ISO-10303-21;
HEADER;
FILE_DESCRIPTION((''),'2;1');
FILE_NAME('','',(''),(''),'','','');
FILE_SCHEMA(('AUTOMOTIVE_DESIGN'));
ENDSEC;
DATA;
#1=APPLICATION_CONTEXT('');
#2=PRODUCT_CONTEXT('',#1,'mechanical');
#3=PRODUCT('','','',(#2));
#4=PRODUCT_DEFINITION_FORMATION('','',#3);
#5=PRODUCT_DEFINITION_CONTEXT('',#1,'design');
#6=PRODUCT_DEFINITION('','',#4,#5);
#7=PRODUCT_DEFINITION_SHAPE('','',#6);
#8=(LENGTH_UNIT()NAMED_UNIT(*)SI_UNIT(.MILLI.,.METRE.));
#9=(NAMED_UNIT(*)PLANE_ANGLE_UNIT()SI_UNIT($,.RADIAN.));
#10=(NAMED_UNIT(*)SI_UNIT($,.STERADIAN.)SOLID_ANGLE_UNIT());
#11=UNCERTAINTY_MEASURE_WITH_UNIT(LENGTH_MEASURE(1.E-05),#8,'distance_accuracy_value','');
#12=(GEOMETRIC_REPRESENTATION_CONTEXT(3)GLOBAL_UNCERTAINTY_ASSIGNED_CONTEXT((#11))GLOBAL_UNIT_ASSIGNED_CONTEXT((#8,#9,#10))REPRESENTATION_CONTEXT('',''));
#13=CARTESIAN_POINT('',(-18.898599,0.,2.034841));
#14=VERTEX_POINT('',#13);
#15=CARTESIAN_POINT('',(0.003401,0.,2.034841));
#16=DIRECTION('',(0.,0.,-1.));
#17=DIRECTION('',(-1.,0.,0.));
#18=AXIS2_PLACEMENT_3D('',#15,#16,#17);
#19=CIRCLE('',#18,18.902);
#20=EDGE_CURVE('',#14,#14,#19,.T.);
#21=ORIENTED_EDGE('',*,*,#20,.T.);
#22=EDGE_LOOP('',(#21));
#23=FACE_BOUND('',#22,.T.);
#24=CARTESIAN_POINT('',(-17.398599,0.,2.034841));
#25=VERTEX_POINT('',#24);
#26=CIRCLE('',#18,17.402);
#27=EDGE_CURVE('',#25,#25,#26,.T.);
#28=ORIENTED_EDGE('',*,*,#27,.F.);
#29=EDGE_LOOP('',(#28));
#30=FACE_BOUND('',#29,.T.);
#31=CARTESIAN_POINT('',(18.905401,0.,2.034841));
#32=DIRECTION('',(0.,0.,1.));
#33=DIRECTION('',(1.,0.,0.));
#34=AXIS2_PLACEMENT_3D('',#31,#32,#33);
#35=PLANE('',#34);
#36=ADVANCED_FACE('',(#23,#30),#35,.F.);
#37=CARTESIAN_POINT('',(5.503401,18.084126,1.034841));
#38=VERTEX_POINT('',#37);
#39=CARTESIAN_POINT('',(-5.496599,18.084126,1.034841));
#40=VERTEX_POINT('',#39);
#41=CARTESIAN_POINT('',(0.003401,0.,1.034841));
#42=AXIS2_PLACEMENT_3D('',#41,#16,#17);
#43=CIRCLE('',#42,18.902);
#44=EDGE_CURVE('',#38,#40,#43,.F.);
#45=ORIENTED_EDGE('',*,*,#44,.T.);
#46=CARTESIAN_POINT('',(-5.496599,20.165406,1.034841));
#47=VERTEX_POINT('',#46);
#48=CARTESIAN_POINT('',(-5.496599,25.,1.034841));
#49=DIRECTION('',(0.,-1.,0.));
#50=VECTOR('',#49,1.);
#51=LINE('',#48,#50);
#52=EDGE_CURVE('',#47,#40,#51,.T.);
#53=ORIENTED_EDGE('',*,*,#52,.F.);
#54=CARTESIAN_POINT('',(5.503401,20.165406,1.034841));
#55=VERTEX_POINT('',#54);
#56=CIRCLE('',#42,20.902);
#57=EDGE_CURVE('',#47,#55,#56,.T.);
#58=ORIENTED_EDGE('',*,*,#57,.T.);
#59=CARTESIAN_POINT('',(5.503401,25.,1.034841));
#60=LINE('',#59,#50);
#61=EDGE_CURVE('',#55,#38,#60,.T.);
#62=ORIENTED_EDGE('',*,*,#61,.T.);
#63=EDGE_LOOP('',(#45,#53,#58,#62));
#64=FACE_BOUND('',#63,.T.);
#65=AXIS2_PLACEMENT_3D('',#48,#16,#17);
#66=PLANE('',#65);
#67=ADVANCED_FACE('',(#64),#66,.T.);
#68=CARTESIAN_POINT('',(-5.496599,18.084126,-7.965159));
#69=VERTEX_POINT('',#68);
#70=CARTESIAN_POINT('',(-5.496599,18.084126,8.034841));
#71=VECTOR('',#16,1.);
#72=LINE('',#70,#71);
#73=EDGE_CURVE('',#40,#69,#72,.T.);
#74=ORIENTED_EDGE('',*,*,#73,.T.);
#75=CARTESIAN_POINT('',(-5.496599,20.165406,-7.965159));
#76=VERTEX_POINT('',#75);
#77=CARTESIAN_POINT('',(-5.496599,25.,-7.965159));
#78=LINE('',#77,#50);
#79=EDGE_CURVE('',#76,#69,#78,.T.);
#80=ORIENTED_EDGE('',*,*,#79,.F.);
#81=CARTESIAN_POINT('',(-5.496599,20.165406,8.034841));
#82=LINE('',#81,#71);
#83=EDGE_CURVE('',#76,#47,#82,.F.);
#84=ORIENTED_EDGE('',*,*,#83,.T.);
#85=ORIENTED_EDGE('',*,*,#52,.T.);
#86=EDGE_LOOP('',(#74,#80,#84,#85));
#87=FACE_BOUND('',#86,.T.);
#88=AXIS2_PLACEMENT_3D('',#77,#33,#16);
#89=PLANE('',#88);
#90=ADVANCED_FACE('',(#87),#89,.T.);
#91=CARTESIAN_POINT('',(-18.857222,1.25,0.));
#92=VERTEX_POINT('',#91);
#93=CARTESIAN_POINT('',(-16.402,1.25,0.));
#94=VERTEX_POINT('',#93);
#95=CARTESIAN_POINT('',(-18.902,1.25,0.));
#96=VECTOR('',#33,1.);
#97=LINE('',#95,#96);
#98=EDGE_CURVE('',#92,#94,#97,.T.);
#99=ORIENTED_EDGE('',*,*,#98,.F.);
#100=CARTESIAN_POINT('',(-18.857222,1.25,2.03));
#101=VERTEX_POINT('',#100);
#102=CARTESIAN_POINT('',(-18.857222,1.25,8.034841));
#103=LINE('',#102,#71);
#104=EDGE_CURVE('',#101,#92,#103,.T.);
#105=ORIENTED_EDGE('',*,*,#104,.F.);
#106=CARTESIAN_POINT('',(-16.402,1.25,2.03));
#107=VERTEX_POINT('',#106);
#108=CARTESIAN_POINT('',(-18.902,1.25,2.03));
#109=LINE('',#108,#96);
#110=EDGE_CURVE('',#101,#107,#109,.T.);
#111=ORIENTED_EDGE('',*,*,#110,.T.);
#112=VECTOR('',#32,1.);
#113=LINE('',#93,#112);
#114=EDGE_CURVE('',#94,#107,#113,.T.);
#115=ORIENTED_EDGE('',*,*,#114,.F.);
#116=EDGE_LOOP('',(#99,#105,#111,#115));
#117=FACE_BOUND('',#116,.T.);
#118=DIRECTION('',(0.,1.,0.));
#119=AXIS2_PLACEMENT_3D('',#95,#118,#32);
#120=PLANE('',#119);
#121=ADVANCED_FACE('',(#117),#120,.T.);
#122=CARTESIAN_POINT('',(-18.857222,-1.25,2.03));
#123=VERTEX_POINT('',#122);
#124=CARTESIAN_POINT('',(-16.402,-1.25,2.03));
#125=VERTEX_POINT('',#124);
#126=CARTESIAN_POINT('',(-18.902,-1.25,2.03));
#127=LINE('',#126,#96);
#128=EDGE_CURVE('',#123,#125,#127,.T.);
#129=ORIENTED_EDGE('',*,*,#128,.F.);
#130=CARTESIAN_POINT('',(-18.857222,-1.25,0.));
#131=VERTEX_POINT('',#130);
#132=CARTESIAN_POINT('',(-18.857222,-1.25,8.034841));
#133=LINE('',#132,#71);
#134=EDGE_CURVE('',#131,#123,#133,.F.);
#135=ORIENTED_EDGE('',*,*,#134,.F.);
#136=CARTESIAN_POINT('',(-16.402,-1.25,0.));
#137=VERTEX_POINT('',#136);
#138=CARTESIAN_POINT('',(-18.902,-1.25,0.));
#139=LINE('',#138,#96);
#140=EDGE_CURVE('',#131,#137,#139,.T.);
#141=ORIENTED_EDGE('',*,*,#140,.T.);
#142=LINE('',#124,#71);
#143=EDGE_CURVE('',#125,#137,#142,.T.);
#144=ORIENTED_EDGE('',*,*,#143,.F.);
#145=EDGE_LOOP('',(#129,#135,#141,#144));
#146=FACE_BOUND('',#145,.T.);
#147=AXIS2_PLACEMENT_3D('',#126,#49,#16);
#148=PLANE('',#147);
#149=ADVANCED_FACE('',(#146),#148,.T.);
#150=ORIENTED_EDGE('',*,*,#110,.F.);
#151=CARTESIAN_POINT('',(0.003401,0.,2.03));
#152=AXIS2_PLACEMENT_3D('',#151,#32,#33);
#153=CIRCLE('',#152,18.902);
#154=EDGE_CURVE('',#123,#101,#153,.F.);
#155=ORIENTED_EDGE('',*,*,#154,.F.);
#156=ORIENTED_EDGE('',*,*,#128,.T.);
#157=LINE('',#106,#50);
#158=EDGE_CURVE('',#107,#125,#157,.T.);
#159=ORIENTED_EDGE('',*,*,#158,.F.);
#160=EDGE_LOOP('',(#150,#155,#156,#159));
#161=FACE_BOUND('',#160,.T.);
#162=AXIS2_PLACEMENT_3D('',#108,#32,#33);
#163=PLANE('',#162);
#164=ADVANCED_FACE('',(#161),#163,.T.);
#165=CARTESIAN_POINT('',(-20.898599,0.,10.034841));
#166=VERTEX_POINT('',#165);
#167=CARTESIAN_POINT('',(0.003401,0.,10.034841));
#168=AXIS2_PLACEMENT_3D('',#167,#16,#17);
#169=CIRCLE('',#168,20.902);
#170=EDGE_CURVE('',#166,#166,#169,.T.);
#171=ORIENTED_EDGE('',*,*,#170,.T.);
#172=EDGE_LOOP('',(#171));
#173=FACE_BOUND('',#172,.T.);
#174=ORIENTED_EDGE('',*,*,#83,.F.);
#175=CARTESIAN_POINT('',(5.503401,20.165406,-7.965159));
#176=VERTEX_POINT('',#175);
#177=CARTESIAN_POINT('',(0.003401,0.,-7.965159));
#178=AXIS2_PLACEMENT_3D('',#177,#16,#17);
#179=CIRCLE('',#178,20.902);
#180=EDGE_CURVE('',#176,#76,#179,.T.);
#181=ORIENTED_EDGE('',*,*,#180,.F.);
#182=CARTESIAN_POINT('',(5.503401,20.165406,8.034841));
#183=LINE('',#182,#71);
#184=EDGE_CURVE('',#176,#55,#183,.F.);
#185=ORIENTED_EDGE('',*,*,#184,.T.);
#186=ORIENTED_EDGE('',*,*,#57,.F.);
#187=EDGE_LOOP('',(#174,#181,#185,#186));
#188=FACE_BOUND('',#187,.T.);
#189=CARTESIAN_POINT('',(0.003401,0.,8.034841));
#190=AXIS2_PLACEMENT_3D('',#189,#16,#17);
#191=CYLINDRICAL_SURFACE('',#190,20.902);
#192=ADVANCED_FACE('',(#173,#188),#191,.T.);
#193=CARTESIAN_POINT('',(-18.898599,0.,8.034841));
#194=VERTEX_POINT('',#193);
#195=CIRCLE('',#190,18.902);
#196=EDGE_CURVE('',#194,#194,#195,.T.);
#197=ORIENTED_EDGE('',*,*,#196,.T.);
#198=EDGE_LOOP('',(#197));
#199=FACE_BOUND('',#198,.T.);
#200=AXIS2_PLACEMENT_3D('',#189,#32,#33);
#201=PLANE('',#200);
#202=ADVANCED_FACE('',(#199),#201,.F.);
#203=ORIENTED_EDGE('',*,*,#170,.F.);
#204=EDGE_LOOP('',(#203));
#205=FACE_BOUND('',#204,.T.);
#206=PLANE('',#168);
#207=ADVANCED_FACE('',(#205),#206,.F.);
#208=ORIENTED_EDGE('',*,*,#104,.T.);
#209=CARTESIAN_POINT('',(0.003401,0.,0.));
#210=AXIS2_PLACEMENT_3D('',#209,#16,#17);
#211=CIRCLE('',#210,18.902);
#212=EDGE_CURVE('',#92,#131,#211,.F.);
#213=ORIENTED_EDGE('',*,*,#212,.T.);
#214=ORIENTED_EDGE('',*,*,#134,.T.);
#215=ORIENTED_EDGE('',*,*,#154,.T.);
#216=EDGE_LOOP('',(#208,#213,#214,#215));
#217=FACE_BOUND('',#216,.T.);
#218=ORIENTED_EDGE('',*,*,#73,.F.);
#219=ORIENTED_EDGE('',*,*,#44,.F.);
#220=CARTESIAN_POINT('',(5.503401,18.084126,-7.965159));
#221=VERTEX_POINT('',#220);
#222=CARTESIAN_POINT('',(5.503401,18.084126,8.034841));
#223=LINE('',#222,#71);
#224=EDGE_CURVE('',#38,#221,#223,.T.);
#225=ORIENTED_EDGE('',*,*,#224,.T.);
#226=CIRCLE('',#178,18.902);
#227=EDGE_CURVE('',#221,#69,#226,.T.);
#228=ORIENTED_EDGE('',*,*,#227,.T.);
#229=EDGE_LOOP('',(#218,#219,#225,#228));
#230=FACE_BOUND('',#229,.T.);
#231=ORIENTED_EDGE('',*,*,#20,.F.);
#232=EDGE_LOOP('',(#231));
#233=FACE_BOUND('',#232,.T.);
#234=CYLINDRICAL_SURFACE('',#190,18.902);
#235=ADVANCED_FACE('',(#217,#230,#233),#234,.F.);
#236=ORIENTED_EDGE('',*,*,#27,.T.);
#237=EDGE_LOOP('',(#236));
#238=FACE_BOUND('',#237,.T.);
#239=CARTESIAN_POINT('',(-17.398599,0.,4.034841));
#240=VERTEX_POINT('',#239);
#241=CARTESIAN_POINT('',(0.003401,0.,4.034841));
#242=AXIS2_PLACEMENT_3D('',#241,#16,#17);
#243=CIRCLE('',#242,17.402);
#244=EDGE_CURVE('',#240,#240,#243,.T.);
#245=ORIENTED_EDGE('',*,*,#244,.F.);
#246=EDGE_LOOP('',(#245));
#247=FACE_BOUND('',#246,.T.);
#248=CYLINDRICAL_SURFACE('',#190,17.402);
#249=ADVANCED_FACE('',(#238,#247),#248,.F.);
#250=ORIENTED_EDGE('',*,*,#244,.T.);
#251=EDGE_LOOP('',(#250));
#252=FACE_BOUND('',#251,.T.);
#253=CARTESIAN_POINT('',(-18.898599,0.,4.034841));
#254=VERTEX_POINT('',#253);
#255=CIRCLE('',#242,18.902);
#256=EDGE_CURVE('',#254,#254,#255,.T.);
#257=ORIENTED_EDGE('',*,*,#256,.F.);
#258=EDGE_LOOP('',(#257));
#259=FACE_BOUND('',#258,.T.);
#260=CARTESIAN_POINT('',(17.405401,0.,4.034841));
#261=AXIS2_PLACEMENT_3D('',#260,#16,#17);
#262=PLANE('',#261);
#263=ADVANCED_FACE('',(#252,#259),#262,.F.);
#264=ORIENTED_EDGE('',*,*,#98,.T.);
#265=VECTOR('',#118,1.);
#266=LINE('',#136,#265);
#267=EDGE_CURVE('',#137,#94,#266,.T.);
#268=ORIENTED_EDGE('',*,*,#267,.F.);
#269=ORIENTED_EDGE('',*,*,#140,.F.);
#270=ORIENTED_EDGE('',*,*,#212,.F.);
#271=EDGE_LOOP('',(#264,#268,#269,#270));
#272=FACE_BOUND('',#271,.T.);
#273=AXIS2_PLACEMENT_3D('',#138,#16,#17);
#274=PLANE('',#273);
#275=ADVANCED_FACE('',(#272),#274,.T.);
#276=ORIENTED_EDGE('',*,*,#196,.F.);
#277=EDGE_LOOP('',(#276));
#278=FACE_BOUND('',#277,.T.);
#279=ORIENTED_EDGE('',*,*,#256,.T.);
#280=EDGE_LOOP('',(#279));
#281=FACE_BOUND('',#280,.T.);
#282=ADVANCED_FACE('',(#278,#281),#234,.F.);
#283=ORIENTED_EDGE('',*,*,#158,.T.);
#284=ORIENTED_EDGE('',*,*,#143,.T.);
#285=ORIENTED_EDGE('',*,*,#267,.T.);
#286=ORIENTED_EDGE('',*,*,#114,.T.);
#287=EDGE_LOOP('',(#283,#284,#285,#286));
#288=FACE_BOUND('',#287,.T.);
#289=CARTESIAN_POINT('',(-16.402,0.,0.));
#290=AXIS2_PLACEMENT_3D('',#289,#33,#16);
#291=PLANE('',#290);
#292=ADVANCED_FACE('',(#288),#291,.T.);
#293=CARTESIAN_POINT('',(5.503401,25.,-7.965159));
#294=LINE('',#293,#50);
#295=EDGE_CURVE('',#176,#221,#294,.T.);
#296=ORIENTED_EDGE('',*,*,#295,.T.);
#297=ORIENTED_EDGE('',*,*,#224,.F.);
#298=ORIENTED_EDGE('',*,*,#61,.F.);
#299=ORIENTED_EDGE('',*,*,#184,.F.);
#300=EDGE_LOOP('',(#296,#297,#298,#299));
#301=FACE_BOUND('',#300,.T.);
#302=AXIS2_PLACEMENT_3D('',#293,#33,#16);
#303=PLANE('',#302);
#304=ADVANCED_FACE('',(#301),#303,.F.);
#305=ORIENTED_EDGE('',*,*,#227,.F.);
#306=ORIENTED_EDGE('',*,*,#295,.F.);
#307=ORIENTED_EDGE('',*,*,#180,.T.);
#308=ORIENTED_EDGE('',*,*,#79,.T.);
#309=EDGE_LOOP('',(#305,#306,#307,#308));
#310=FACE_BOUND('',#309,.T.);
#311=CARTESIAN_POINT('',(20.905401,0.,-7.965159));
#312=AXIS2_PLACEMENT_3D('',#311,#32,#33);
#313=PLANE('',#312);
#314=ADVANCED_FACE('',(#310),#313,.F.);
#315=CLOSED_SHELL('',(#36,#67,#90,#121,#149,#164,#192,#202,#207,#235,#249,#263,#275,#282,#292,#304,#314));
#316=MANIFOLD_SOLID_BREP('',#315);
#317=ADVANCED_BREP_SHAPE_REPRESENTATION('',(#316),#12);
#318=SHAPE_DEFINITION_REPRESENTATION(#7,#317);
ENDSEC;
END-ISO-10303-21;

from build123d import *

# Parameters (mm, degrees)
SKIZZE2_W                       = 11
SKIZZE2_H                       = 9
SCHNITT_LINEAR_AUSTRAGEN2_DEPTH = 25
SKIZZE3_W                       = 2.03
SKIZZE3_H                       = 2.5
AUFSATZ_LINEAR_AUSTRAGEN1_DEPTH = 18.902
SKIZZE3_3_W                     = 2.03
SKIZZE3_3_H                     = 2.5
SCHNITT_LINEAR_AUSTRAGEN3_DEPTH = 16.402


with BuildPart() as part:
    # Skizze1 → Rotation2 (revolve)
    with BuildSketch(Plane(origin=(0, 0, 0), x_dir=(1, 0, 0), z_dir=(0, 1, 0))):
        Polygon((0.00340061, -8.034840547), (0.00340061, -10.034840547), (20.90540061, -10.034840547), (20.90540061, 7.965159453), (18.90540061, 7.965159453), (18.90540061, -2.034840547), (17.40540061, -2.034840547), (17.40540061, -4.034840547), (18.90540061, -4.034840547), (18.90540061, -8.034840547), align=None)
    revolve(axis=Axis((0.00340061, 0, 8.034840547), (0, 0, 1)))

    # Skizze2 → Schnitt-Linear austragen2 (cut)
    with BuildSketch(Plane(origin=(0, 0, 0), x_dir=(1, 0, 0), z_dir=(0, 1, 0))):
        with Locations((0.00340061, 3.465159453)):
            Rectangle(SKIZZE2_W, SKIZZE2_H)
    extrude(amount=SCHNITT_LINEAR_AUSTRAGEN2_DEPTH, mode=Mode.SUBTRACT)

    # Skizze3 → Aufsatz-Linear austragen1 (add)
    with BuildSketch(Plane(origin=(0, 0, 0), x_dir=(0, 0, -1), z_dir=(1, 0, 0))):
        with Locations((-1.015, 0)):
            Rectangle(SKIZZE3_W, SKIZZE3_H)
    extrude(amount=-AUFSATZ_LINEAR_AUSTRAGEN1_DEPTH)

    # Skizze3<3> → Schnitt-Linear austragen3 (cut)
    with BuildSketch(Plane(origin=(0, 0, 0), x_dir=(0, 0, -1), z_dir=(1, 0, 0))):
        with Locations((-1.015, 0)):
            Rectangle(SKIZZE3_3_W, SKIZZE3_3_H)
    extrude(amount=-SCHNITT_LINEAR_AUSTRAGEN3_DEPTH, mode=Mode.SUBTRACT)


solid = part.part
